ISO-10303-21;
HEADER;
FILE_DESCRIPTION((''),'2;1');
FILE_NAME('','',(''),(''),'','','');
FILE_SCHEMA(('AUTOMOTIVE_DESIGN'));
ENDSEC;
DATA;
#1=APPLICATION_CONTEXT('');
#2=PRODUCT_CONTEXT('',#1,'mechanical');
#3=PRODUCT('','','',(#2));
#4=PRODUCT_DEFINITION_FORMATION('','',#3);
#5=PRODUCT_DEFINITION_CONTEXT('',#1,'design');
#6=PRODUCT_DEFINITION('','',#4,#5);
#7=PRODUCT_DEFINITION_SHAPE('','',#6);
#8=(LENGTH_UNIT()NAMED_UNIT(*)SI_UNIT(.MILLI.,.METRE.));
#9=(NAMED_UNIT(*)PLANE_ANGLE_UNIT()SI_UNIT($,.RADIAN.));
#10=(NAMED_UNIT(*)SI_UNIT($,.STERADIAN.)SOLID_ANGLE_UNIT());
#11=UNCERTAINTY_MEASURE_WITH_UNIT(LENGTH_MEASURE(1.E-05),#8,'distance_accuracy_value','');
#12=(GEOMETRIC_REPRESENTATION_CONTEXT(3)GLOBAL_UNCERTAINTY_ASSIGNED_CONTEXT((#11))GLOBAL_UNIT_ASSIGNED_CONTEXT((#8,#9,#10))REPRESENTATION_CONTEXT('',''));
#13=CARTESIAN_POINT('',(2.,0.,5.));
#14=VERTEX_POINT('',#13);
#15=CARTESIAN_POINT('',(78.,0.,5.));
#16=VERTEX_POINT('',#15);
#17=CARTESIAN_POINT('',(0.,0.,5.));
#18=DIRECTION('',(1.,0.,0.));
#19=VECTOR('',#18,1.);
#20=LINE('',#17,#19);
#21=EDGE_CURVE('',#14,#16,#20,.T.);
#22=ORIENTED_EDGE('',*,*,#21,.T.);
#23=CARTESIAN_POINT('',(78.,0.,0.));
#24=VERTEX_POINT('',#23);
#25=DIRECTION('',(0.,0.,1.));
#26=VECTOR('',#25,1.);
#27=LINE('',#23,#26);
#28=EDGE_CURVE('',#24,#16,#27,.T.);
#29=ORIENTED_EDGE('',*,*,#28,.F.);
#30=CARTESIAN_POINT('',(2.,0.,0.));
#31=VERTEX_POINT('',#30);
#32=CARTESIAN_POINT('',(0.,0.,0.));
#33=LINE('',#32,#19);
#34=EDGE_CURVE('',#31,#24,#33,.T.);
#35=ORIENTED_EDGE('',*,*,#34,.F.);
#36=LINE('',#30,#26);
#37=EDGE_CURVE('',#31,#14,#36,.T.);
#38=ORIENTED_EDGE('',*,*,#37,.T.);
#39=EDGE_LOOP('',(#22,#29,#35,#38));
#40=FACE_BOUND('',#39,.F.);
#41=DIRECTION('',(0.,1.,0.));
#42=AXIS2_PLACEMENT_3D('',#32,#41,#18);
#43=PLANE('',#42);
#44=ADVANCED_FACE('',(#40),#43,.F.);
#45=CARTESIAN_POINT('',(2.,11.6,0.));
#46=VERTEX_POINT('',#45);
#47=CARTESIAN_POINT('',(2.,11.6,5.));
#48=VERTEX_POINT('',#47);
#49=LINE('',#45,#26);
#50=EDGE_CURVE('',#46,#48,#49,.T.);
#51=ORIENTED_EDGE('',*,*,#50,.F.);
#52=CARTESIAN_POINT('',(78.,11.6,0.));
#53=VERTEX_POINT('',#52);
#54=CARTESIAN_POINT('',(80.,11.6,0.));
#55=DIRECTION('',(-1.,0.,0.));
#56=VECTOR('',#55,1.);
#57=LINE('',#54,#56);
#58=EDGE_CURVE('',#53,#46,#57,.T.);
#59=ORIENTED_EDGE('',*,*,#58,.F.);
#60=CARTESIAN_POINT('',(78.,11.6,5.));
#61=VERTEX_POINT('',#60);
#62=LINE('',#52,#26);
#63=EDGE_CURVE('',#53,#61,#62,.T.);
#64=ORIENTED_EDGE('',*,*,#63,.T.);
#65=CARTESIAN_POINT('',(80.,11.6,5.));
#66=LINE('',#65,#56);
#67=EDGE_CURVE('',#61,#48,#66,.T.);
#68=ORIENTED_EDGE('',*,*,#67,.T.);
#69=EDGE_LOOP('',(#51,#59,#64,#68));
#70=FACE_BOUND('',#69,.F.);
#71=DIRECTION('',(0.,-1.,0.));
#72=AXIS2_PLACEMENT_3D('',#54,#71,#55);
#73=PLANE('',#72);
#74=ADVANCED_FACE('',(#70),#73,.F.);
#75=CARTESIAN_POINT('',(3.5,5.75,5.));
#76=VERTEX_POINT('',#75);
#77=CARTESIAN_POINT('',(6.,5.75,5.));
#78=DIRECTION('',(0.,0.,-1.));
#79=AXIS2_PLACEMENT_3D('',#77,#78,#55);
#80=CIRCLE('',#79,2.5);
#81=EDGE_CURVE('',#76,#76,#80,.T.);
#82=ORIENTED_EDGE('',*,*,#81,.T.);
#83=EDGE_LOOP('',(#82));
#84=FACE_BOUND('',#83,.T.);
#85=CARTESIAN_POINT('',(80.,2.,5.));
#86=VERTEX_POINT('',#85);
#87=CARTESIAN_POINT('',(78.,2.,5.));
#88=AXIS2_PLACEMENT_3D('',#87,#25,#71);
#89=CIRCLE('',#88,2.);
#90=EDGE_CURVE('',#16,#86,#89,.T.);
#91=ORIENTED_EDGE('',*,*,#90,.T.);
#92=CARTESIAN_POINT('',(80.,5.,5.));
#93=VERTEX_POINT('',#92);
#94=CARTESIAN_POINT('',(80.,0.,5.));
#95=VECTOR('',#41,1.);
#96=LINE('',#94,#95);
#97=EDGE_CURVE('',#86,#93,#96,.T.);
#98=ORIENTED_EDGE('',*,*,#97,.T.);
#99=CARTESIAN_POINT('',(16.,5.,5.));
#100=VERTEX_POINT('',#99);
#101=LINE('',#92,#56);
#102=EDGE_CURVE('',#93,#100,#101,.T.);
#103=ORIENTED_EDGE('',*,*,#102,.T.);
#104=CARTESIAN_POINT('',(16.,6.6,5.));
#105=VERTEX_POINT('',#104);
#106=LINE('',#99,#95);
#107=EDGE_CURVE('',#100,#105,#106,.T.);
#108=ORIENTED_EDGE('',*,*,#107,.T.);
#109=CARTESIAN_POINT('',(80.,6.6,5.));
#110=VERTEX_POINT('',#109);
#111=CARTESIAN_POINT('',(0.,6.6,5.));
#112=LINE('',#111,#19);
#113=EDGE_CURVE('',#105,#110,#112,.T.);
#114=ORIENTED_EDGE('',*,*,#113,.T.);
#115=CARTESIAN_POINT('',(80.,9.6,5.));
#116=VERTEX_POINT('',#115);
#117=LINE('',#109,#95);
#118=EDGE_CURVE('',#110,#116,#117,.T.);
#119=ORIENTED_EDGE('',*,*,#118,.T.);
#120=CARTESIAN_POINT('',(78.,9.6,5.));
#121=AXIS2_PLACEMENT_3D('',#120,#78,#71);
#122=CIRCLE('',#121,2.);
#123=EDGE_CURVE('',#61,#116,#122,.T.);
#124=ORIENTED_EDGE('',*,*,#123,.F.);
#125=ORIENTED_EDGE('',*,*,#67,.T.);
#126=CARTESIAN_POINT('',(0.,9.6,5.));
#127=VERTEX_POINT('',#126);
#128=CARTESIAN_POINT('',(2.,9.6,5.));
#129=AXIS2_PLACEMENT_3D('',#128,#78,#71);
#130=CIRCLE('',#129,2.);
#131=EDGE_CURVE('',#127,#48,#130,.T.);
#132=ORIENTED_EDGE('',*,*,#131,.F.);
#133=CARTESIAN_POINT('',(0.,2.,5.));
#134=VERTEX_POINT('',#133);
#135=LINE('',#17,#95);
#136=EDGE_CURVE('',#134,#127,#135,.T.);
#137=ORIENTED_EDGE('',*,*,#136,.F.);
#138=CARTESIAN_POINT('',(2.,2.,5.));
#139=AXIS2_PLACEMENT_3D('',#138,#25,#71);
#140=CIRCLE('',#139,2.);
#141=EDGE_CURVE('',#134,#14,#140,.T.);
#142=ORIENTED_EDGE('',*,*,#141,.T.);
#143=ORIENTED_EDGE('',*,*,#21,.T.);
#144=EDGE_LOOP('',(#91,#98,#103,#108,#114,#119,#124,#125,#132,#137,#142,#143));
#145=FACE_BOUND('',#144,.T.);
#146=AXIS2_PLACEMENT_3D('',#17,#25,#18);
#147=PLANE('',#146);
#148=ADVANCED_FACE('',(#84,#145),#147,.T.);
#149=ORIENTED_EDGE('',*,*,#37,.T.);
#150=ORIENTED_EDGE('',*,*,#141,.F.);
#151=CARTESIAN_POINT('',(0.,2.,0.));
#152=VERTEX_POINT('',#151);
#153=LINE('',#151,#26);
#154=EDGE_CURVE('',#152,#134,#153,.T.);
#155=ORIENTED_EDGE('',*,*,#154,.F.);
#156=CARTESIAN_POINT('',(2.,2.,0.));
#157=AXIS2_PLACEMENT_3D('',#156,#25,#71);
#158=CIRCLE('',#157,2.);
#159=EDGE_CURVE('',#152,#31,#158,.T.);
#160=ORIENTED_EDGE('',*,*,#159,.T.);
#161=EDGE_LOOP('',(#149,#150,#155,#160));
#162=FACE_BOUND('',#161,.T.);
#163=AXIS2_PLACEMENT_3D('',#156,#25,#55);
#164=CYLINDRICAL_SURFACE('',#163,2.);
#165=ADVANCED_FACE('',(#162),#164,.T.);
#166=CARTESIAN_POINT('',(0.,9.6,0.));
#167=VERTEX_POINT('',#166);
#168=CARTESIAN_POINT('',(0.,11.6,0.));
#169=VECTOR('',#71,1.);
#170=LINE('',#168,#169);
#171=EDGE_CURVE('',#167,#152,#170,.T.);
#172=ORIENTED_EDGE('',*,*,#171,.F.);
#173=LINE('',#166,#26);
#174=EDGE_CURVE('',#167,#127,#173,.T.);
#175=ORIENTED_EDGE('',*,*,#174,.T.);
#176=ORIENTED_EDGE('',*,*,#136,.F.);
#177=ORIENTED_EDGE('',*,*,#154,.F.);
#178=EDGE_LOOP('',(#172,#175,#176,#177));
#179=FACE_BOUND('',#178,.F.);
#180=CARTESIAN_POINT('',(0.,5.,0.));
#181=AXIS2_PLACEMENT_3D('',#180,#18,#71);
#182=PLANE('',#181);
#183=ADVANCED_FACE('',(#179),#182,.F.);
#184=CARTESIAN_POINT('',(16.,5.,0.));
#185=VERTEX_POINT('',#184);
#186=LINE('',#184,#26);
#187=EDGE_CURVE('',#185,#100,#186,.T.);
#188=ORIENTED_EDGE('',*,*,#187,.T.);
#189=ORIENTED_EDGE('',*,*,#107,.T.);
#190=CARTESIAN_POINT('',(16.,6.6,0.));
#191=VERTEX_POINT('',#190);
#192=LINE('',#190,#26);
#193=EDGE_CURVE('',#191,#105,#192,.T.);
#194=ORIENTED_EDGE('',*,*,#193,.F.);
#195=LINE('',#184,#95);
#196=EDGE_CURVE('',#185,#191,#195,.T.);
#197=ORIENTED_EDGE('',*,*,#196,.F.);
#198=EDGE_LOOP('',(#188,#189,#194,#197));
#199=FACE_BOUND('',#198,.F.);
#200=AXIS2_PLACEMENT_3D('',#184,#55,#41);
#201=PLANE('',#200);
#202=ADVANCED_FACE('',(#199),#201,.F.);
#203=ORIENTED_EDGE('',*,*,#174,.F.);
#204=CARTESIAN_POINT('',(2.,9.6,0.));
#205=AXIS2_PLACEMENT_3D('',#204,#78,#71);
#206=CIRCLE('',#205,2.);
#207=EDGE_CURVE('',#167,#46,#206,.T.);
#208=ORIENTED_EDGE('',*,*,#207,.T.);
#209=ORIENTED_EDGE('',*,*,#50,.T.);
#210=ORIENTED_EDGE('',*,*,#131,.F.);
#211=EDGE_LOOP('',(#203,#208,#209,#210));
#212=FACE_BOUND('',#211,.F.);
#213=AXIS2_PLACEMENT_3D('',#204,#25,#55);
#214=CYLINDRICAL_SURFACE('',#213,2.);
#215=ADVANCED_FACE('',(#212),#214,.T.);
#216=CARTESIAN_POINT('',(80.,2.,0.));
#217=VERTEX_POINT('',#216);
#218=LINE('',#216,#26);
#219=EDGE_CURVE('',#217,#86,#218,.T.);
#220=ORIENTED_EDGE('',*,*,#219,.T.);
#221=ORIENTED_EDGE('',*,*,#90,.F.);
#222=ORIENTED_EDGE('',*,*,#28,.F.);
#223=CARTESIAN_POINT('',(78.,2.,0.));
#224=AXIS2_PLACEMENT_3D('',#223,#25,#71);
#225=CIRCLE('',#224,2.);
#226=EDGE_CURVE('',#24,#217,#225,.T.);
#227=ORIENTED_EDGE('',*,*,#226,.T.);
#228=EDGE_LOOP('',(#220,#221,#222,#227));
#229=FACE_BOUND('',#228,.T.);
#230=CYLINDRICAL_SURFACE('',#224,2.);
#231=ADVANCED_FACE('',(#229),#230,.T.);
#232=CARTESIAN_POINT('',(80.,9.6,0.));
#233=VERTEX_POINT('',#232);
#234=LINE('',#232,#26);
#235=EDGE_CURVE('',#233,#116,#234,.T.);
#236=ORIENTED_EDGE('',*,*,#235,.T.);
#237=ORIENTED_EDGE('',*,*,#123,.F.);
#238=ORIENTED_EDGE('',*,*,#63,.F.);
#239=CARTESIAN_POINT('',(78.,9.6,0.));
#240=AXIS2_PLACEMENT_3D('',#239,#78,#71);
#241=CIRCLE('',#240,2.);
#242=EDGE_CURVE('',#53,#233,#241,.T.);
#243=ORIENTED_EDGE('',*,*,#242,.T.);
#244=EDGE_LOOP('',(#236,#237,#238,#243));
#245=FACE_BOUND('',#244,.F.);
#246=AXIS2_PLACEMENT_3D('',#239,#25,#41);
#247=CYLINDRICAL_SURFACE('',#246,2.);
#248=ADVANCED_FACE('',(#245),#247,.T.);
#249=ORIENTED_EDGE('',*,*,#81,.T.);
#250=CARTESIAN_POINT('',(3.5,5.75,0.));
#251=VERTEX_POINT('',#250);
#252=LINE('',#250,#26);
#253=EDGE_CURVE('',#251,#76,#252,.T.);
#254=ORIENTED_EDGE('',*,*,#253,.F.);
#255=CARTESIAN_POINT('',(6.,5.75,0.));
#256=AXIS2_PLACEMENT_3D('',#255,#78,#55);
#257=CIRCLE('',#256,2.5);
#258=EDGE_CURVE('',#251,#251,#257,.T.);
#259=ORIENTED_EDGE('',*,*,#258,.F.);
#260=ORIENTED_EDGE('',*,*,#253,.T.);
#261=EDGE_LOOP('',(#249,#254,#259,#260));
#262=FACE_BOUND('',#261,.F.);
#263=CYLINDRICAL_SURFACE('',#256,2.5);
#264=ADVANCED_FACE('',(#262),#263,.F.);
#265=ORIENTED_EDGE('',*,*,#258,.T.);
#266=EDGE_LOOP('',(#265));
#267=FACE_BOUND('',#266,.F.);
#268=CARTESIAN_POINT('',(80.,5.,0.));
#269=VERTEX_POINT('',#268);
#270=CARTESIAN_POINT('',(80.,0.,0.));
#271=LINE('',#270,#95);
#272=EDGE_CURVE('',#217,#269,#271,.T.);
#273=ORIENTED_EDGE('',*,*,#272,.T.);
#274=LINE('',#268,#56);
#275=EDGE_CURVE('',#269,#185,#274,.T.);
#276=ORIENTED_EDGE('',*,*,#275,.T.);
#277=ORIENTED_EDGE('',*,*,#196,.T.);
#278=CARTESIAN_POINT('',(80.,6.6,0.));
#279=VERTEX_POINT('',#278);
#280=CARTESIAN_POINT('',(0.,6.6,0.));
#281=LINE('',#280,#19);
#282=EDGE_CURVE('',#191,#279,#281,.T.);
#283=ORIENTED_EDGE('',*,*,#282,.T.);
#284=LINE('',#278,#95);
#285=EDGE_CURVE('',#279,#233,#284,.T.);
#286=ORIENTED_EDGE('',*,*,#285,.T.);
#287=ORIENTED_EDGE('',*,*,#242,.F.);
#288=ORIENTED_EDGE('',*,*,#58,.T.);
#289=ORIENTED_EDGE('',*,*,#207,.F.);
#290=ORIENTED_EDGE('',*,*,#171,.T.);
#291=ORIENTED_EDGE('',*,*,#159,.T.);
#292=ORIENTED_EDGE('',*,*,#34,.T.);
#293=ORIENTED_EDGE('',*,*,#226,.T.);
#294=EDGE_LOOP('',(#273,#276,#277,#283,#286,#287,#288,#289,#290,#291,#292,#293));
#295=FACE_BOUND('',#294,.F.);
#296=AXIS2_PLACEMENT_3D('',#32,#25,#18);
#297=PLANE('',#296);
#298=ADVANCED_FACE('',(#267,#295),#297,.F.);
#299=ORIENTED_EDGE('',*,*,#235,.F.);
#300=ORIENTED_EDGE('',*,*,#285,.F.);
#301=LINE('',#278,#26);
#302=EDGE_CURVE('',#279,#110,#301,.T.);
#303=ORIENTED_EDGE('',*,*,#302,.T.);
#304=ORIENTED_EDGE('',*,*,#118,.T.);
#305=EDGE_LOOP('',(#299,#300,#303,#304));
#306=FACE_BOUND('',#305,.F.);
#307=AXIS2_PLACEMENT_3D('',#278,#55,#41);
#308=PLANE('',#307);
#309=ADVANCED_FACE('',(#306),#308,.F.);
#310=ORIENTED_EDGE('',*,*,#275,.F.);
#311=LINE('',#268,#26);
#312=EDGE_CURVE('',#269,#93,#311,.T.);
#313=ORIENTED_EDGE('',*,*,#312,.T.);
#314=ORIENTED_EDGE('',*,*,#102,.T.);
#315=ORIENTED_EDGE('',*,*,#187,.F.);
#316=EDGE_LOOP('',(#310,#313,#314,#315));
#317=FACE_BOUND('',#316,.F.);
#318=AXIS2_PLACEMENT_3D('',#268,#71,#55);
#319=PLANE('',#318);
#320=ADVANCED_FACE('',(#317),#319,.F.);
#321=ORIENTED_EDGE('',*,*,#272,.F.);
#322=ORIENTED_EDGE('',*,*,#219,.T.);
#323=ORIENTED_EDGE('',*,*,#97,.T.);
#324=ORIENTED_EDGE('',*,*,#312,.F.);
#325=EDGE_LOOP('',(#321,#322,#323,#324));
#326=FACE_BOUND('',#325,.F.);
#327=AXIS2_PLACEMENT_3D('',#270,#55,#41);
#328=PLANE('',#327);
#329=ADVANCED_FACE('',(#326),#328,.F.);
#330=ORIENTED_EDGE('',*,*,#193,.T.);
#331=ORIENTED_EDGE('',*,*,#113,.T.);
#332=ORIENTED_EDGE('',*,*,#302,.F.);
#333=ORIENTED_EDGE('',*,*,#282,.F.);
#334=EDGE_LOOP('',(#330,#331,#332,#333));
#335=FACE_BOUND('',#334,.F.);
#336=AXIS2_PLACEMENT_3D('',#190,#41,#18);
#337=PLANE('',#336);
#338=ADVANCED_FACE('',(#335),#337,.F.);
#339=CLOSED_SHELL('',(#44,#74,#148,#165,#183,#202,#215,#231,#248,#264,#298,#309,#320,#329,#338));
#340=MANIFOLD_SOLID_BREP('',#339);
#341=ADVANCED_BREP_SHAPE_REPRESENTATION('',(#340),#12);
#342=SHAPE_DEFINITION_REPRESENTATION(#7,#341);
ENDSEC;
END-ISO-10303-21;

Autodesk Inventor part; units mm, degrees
ref_plane "YZ Plane" through (0, 0, 0) normal (1, 0, 0) x (0, 1, 0)
ref_plane "XZ Plane" through (0, 0, 0) normal (0, 1, 0) x (-1, 0, 0)
ref_plane "XY Plane" through (0, 0, 0) normal (0, 0, 1) x (1, 0, 0)
sketch "Эскиз1" plane through (0, 0, 0) normal (0, 1, 0) x (-1, 0, 0)
  point P0 (0, 0)
sketch "Эскиз2" plane through (0, 0, 0) normal (0, 0, 1) x (1, 0, 0)
  line L0 (0, 0) -> (80, 0)
  line L1 (80, 0) -> (80, 5)
  line L2 (80, 5) -> (0, 5)
  line L3 (0, 5) -> (0, 0)
  line L4 (0, 5) -> (16, 5)
  line L5 (16, 5) -> (16, 6.6)
  line L6 (16, 6.6) -> (0, 6.6)
  line L7 (0, 6.6) -> (0, 5)
  line L8 (0, 6.6) -> (80, 6.6)
  line L9 (80, 6.6) -> (80, 11.6)
  line L10 (80, 11.6) -> (0, 11.6)
  line L11 (0, 11.6) -> (0, 6.6)
  dimension "d0" = 5
  dimension "d1" = 80
  dimension "d2" = 16
  dimension "d3" = 1.6
  dimension "d4" = 80
  dimension "d5" = 5
extrude "Выдавливание1" add sketch "Эскиз2" along normal blind 5
fillet "Сопряжение1" radius 2 4 edges at (0, 0, 2.5) (0, 11.6, 2.5) (80, 0, 2.5) (80, 11.6, 2.5)
sketch "Эскиз3" plane through (0, 0, 0) normal (0, 0, -1) x (-1, 0, 0)
  circle A0 centre (-6, 5.75) radius 2.5
  line L0 (-16, 5) -> (-16, 6.6) projected
  line L1 (-16, 5.75) -> (-16, 5)
  point P0 (0, 0)
  dimension "d9" = 5
extrude "Выдавливание2" cut sketch "Эскиз3" against normal blind 13.75
properties part number "Bush_phase_mono" material "Медь"
